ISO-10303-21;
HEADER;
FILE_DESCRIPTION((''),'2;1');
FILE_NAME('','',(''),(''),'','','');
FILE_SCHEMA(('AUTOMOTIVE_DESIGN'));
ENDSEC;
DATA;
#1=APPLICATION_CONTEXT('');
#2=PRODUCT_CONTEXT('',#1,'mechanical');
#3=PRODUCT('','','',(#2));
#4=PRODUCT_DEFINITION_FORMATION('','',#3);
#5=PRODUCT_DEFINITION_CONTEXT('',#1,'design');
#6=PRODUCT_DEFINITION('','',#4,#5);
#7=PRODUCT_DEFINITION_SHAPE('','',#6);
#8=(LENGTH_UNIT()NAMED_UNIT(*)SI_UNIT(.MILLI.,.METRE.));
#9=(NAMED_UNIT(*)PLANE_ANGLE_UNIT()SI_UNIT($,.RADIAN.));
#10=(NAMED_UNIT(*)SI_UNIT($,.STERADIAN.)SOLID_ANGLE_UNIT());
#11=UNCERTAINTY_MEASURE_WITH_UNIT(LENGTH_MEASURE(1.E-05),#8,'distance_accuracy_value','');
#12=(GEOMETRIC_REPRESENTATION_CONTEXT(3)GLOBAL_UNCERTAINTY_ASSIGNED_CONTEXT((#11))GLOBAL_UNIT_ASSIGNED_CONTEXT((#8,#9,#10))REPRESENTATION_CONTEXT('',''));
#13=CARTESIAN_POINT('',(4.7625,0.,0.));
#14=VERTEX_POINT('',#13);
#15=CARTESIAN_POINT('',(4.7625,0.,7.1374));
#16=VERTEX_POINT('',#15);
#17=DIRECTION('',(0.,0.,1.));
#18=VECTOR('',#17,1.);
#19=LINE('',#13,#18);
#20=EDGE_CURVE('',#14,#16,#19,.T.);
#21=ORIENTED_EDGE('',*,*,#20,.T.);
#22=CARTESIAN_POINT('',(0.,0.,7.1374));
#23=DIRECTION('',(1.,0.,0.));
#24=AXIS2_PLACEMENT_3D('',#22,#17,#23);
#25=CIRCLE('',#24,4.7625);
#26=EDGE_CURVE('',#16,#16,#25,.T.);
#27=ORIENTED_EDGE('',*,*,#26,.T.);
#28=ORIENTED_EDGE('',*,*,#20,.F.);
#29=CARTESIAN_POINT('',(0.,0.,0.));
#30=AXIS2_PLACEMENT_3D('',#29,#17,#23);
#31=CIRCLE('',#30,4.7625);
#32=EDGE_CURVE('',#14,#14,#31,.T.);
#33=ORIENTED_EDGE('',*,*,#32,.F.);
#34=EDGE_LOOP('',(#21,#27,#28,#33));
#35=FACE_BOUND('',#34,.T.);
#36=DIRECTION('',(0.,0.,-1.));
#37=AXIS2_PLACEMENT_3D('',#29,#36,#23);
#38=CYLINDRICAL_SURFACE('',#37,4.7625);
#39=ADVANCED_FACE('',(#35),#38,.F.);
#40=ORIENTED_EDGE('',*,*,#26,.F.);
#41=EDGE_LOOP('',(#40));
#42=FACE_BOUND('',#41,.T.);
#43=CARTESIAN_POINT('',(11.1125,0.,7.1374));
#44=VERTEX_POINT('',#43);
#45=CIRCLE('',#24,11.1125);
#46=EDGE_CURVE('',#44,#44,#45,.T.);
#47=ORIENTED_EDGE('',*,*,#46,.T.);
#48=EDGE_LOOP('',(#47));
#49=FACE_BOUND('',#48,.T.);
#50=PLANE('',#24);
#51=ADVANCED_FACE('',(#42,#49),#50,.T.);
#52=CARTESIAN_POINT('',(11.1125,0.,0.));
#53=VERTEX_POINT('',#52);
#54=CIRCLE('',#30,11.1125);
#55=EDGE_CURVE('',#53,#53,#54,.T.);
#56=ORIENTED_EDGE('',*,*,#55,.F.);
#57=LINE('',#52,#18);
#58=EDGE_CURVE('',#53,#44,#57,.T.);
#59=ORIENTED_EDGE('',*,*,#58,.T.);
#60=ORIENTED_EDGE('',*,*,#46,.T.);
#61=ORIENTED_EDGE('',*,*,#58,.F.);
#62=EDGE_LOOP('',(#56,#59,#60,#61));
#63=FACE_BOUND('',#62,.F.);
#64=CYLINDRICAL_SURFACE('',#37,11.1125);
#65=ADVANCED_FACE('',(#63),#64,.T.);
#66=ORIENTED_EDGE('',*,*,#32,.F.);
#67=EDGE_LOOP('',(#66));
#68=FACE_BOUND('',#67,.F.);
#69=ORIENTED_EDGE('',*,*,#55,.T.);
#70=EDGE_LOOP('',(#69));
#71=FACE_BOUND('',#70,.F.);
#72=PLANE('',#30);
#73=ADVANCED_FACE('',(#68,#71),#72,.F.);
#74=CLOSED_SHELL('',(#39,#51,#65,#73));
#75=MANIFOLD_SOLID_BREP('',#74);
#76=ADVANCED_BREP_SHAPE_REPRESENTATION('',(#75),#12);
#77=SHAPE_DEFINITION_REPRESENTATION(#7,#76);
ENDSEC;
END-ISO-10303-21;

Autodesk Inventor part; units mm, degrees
ref_plane "YZ Plane" through (0, 0, 0) normal (1, 0, 0) x (0, 1, 0)
ref_plane "XZ Plane" through (0, 0, 0) normal (0, 1, 0) x (-1, 0, 0)
ref_plane "XY Plane" through (0, 0, 0) normal (0, 0, 1) x (1, 0, 0)
sketch "Sketch1" plane through (0, 0, 0) normal (0, 0, 1) x (1, 0, 0)
  circle A0 centre (0, 0) radius 11.1125
  circle A1 centre (0, 0) radius 4.7625
  dimension "d0" = 22.225
  dimension "d2" = 9.525
extrude "Extrusion1" add sketch "Sketch1" along normal blind 7.1374
properties part number "R6Z Ball Bearing (0.375x0.875)" material "Steel"
